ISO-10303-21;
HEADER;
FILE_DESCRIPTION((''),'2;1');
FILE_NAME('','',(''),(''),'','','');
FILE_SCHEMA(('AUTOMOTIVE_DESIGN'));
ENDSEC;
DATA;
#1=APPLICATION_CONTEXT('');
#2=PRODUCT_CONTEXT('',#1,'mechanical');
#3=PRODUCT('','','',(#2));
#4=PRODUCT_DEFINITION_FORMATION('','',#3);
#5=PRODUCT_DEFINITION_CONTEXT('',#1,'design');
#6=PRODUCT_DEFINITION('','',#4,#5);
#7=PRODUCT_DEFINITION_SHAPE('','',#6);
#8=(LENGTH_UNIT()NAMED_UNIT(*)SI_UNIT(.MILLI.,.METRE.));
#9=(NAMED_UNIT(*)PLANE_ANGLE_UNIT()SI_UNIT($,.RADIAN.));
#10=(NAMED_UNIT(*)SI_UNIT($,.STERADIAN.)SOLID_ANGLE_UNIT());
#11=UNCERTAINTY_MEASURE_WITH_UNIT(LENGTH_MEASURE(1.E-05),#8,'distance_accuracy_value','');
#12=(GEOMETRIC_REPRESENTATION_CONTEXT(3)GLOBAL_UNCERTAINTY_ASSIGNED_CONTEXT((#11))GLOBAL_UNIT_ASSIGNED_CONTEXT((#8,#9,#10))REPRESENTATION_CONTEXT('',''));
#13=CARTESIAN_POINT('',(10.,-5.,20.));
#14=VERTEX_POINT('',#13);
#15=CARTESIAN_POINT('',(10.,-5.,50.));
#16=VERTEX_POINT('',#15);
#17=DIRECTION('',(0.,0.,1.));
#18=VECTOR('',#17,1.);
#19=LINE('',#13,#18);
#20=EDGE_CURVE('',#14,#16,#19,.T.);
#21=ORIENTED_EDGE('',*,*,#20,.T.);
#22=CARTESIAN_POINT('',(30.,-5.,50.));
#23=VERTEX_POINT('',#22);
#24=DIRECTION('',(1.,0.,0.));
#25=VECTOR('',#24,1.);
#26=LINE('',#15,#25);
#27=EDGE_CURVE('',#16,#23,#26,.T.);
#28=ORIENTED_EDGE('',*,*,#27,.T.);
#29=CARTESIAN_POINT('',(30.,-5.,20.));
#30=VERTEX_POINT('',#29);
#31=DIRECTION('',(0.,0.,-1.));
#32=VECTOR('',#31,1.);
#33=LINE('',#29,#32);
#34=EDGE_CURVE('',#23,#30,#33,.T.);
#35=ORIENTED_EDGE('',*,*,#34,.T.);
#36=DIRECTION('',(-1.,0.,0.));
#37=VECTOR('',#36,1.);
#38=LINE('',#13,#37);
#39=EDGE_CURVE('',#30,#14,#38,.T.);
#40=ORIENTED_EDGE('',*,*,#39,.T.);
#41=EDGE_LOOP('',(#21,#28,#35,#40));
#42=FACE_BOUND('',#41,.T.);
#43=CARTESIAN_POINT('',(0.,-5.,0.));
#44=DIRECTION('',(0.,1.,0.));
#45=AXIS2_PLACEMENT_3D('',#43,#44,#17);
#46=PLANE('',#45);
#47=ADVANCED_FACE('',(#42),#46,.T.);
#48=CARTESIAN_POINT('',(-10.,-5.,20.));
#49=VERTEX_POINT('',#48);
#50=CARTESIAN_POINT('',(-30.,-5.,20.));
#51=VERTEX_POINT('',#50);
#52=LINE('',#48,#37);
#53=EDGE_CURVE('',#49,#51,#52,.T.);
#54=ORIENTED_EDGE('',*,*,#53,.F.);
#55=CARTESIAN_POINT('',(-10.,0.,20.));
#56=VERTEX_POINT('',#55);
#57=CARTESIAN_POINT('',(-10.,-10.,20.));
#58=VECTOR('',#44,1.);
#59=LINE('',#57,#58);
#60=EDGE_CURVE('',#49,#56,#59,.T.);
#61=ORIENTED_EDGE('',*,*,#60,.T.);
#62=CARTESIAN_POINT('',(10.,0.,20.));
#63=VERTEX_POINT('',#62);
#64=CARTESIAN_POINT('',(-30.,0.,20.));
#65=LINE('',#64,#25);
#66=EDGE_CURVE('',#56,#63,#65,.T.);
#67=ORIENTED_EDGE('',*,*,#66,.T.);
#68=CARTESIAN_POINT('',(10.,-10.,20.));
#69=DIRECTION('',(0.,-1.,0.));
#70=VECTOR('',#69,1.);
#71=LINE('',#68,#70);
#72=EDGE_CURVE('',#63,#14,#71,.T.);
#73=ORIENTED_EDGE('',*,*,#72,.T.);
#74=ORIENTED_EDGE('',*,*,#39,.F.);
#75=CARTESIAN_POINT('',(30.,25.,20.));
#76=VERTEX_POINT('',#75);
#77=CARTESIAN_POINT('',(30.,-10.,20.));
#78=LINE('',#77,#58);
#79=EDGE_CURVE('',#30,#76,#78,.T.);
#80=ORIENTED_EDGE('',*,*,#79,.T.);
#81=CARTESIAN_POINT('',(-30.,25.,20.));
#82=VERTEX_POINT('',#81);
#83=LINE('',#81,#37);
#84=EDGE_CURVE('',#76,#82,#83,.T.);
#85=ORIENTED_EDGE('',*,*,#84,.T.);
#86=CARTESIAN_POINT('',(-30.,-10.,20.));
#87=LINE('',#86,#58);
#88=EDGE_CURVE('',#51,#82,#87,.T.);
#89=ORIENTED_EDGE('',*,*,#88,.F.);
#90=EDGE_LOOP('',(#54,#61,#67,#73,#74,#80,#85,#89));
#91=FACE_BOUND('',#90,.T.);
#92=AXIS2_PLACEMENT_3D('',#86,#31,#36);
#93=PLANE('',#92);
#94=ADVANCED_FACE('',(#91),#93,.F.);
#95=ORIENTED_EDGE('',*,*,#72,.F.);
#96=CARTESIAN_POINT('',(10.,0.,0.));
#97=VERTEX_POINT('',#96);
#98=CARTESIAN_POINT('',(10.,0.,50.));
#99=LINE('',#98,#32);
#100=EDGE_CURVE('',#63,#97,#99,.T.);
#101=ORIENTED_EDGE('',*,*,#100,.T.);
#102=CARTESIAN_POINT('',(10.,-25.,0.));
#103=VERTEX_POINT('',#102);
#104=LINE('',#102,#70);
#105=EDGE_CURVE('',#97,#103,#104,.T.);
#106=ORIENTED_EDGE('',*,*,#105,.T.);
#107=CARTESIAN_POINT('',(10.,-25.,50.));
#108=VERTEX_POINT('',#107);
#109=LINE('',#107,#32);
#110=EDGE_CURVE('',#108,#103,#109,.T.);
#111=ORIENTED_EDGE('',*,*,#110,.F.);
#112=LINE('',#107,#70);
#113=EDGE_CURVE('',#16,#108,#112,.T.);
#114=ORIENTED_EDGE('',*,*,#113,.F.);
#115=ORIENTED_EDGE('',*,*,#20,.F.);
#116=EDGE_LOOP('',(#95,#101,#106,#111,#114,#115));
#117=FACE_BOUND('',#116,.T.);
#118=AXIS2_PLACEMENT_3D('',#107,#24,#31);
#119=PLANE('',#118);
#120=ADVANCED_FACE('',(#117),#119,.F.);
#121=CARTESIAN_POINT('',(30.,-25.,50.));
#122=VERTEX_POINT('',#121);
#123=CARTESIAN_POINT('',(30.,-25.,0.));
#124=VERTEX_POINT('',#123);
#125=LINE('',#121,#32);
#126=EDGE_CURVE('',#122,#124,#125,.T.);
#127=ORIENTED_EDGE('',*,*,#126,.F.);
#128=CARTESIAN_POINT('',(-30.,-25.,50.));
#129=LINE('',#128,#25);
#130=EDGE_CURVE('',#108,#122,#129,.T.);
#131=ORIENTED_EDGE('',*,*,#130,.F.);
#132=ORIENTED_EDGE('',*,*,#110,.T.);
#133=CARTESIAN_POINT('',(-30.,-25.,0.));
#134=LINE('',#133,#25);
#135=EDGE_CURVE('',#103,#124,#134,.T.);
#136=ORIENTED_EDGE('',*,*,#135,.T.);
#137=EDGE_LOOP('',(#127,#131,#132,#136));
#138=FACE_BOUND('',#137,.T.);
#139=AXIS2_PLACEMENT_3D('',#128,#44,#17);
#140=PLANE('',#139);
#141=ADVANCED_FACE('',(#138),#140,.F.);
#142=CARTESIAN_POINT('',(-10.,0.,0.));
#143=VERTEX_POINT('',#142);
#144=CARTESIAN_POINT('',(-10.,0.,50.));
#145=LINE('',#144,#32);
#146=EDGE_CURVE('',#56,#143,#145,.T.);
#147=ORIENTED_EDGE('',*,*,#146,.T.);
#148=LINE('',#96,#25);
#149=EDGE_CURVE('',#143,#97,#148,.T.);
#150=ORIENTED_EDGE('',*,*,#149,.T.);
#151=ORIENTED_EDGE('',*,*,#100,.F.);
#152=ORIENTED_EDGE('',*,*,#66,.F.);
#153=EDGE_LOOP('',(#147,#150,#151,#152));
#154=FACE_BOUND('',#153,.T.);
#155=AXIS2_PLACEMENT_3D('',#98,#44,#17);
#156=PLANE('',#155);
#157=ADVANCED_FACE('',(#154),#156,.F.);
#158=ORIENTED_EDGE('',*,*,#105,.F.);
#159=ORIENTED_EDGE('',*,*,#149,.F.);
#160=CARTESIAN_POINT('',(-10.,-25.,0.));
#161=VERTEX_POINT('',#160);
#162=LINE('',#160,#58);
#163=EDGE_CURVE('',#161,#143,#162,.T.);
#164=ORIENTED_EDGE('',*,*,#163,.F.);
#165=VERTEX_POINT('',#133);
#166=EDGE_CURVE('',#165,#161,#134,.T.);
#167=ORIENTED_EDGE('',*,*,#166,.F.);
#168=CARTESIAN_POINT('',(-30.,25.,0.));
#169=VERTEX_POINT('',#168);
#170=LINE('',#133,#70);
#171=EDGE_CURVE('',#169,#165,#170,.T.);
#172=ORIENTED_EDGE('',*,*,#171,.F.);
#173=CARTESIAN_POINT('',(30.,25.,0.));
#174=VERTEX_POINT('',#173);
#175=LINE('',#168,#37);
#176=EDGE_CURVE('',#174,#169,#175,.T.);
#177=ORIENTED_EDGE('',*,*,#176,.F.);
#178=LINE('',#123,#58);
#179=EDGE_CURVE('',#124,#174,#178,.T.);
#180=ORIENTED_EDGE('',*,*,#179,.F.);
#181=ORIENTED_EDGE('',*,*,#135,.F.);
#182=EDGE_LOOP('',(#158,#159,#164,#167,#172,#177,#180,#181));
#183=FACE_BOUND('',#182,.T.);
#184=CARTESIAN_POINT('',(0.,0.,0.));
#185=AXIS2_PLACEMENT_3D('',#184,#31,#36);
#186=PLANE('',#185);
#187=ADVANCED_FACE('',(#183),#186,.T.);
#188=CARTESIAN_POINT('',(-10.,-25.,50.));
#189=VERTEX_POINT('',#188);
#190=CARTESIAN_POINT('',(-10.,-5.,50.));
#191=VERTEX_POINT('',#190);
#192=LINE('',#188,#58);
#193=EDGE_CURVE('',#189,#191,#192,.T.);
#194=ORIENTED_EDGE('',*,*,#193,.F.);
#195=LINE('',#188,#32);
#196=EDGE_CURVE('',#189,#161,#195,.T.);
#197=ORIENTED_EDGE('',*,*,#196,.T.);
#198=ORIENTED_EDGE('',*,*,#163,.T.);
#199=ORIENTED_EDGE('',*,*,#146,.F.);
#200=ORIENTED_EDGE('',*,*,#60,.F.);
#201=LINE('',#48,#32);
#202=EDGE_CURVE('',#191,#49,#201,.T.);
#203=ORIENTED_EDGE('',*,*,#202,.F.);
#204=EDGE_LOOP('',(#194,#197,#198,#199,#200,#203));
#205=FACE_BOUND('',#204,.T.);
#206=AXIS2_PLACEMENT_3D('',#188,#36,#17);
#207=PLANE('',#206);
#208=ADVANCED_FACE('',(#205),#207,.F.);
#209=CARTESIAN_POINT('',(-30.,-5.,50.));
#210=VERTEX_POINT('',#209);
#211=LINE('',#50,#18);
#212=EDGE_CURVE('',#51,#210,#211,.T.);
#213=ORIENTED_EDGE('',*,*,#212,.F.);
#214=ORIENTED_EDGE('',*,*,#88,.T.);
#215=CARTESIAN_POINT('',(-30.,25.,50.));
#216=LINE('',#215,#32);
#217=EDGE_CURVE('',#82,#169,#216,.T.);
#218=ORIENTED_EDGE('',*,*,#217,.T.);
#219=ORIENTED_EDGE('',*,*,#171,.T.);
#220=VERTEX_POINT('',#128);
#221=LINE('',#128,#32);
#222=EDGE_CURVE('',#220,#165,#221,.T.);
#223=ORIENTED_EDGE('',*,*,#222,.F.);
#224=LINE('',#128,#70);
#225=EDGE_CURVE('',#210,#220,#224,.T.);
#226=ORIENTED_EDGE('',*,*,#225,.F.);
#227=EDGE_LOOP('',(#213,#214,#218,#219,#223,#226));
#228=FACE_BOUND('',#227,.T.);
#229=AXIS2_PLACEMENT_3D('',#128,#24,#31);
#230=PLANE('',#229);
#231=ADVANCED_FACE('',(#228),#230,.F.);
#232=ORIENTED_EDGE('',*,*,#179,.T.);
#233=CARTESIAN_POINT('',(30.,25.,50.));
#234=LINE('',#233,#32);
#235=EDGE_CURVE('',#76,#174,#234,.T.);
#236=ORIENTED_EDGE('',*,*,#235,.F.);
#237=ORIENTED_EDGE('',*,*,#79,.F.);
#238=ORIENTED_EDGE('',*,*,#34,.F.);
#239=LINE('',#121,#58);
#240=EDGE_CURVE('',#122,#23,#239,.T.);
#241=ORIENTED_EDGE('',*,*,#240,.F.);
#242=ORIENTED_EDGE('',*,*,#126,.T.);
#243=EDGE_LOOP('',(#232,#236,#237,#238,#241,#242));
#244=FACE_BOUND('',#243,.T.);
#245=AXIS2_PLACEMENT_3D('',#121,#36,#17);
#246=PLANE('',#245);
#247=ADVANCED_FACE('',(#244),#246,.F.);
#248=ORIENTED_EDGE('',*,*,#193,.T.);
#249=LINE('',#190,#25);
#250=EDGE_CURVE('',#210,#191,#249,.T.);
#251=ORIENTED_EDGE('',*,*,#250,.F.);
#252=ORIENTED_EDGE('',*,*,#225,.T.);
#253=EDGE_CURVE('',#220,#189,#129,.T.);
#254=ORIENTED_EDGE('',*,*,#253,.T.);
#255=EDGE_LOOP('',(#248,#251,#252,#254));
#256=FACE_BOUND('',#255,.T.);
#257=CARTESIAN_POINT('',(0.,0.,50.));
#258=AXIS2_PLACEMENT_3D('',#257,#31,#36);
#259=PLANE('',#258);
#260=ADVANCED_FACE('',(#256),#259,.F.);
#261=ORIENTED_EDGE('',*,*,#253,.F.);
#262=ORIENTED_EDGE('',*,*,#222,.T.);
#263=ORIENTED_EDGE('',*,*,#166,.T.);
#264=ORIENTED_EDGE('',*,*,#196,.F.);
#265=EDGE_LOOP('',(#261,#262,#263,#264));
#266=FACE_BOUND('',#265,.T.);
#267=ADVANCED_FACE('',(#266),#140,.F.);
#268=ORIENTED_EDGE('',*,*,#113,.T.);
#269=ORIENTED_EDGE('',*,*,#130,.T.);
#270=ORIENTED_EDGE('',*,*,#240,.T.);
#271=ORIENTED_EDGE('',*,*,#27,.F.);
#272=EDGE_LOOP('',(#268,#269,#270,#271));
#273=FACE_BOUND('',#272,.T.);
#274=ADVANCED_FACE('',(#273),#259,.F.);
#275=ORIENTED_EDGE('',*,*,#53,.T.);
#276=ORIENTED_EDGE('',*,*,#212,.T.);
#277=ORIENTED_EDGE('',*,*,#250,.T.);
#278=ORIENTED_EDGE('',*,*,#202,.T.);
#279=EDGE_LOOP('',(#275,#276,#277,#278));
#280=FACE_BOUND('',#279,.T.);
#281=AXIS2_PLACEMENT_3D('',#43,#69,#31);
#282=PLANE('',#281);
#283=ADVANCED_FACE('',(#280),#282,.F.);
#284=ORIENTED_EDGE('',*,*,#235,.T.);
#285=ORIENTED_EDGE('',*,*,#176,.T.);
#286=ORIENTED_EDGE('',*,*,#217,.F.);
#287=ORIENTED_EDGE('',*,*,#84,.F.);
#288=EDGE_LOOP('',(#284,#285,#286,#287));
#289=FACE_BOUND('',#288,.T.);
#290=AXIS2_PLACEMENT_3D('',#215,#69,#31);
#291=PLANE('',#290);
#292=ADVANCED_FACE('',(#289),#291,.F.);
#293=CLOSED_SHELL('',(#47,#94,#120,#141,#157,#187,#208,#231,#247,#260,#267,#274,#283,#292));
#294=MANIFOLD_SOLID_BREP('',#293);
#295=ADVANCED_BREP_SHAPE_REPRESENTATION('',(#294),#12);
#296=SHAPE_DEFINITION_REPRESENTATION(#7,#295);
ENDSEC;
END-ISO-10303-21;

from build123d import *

# Parameters (mm, degrees)
CROQUIS2_W              = 60
CROQUIS2_H              = 50
SALIENTE_EXTRUIR1_DEPTH = 50
CROQUIS3_W              = 60
CROQUIS3_H              = 30
CORTAR_EXTRUIR1_DEPTH   = 35
CROQUIS4_W              = 20
CROQUIS4_H              = 25
CORTAR_EXTRUIR2_DEPTH   = 50
CROQUIS5_W              = 20
CROQUIS5_H              = 30
SALIENTE_EXTRUIR2_DEPTH = 5


with BuildPart() as part:
    # Croquis2 → Saliente-Extruir1 (new body)
    with BuildSketch(Plane.XY):
        Rectangle(CROQUIS2_W, CROQUIS2_H)
    extrude(amount=SALIENTE_EXTRUIR1_DEPTH)

    # Croquis3 → Cortar-Extruir1 (cut)
    with BuildSketch(Plane(origin=(0, 25, 0), x_dir=(1, 0, 0), z_dir=(0, 1, 0))):
        with Locations((0, -35)):
            Rectangle(CROQUIS3_W, CROQUIS3_H)
    extrude(amount=-CORTAR_EXTRUIR1_DEPTH, mode=Mode.SUBTRACT)

    # Croquis4 → Cortar-Extruir2 (cut)
    with BuildSketch(Plane(origin=(0, 0, 0), x_dir=(-1, 0, 0), z_dir=(0, 0, -1))):
        with Locations((0, -12.5)):
            Rectangle(CROQUIS4_W, CROQUIS4_H)
    extrude(amount=-CORTAR_EXTRUIR2_DEPTH, mode=Mode.SUBTRACT)

    # Croquis5 → Saliente-Extruir2 (add)
    with BuildSketch(Plane(origin=(0, -10, 0), x_dir=(1, 0, 0), z_dir=(0, 1, 0))):
        with Locations((20, -35)):
            Rectangle(CROQUIS5_W, CROQUIS5_H)
        with Locations((-20, -35)):
            Rectangle(CROQUIS5_W, CROQUIS5_H)
    extrude(amount=SALIENTE_EXTRUIR2_DEPTH)


solid = part.part
